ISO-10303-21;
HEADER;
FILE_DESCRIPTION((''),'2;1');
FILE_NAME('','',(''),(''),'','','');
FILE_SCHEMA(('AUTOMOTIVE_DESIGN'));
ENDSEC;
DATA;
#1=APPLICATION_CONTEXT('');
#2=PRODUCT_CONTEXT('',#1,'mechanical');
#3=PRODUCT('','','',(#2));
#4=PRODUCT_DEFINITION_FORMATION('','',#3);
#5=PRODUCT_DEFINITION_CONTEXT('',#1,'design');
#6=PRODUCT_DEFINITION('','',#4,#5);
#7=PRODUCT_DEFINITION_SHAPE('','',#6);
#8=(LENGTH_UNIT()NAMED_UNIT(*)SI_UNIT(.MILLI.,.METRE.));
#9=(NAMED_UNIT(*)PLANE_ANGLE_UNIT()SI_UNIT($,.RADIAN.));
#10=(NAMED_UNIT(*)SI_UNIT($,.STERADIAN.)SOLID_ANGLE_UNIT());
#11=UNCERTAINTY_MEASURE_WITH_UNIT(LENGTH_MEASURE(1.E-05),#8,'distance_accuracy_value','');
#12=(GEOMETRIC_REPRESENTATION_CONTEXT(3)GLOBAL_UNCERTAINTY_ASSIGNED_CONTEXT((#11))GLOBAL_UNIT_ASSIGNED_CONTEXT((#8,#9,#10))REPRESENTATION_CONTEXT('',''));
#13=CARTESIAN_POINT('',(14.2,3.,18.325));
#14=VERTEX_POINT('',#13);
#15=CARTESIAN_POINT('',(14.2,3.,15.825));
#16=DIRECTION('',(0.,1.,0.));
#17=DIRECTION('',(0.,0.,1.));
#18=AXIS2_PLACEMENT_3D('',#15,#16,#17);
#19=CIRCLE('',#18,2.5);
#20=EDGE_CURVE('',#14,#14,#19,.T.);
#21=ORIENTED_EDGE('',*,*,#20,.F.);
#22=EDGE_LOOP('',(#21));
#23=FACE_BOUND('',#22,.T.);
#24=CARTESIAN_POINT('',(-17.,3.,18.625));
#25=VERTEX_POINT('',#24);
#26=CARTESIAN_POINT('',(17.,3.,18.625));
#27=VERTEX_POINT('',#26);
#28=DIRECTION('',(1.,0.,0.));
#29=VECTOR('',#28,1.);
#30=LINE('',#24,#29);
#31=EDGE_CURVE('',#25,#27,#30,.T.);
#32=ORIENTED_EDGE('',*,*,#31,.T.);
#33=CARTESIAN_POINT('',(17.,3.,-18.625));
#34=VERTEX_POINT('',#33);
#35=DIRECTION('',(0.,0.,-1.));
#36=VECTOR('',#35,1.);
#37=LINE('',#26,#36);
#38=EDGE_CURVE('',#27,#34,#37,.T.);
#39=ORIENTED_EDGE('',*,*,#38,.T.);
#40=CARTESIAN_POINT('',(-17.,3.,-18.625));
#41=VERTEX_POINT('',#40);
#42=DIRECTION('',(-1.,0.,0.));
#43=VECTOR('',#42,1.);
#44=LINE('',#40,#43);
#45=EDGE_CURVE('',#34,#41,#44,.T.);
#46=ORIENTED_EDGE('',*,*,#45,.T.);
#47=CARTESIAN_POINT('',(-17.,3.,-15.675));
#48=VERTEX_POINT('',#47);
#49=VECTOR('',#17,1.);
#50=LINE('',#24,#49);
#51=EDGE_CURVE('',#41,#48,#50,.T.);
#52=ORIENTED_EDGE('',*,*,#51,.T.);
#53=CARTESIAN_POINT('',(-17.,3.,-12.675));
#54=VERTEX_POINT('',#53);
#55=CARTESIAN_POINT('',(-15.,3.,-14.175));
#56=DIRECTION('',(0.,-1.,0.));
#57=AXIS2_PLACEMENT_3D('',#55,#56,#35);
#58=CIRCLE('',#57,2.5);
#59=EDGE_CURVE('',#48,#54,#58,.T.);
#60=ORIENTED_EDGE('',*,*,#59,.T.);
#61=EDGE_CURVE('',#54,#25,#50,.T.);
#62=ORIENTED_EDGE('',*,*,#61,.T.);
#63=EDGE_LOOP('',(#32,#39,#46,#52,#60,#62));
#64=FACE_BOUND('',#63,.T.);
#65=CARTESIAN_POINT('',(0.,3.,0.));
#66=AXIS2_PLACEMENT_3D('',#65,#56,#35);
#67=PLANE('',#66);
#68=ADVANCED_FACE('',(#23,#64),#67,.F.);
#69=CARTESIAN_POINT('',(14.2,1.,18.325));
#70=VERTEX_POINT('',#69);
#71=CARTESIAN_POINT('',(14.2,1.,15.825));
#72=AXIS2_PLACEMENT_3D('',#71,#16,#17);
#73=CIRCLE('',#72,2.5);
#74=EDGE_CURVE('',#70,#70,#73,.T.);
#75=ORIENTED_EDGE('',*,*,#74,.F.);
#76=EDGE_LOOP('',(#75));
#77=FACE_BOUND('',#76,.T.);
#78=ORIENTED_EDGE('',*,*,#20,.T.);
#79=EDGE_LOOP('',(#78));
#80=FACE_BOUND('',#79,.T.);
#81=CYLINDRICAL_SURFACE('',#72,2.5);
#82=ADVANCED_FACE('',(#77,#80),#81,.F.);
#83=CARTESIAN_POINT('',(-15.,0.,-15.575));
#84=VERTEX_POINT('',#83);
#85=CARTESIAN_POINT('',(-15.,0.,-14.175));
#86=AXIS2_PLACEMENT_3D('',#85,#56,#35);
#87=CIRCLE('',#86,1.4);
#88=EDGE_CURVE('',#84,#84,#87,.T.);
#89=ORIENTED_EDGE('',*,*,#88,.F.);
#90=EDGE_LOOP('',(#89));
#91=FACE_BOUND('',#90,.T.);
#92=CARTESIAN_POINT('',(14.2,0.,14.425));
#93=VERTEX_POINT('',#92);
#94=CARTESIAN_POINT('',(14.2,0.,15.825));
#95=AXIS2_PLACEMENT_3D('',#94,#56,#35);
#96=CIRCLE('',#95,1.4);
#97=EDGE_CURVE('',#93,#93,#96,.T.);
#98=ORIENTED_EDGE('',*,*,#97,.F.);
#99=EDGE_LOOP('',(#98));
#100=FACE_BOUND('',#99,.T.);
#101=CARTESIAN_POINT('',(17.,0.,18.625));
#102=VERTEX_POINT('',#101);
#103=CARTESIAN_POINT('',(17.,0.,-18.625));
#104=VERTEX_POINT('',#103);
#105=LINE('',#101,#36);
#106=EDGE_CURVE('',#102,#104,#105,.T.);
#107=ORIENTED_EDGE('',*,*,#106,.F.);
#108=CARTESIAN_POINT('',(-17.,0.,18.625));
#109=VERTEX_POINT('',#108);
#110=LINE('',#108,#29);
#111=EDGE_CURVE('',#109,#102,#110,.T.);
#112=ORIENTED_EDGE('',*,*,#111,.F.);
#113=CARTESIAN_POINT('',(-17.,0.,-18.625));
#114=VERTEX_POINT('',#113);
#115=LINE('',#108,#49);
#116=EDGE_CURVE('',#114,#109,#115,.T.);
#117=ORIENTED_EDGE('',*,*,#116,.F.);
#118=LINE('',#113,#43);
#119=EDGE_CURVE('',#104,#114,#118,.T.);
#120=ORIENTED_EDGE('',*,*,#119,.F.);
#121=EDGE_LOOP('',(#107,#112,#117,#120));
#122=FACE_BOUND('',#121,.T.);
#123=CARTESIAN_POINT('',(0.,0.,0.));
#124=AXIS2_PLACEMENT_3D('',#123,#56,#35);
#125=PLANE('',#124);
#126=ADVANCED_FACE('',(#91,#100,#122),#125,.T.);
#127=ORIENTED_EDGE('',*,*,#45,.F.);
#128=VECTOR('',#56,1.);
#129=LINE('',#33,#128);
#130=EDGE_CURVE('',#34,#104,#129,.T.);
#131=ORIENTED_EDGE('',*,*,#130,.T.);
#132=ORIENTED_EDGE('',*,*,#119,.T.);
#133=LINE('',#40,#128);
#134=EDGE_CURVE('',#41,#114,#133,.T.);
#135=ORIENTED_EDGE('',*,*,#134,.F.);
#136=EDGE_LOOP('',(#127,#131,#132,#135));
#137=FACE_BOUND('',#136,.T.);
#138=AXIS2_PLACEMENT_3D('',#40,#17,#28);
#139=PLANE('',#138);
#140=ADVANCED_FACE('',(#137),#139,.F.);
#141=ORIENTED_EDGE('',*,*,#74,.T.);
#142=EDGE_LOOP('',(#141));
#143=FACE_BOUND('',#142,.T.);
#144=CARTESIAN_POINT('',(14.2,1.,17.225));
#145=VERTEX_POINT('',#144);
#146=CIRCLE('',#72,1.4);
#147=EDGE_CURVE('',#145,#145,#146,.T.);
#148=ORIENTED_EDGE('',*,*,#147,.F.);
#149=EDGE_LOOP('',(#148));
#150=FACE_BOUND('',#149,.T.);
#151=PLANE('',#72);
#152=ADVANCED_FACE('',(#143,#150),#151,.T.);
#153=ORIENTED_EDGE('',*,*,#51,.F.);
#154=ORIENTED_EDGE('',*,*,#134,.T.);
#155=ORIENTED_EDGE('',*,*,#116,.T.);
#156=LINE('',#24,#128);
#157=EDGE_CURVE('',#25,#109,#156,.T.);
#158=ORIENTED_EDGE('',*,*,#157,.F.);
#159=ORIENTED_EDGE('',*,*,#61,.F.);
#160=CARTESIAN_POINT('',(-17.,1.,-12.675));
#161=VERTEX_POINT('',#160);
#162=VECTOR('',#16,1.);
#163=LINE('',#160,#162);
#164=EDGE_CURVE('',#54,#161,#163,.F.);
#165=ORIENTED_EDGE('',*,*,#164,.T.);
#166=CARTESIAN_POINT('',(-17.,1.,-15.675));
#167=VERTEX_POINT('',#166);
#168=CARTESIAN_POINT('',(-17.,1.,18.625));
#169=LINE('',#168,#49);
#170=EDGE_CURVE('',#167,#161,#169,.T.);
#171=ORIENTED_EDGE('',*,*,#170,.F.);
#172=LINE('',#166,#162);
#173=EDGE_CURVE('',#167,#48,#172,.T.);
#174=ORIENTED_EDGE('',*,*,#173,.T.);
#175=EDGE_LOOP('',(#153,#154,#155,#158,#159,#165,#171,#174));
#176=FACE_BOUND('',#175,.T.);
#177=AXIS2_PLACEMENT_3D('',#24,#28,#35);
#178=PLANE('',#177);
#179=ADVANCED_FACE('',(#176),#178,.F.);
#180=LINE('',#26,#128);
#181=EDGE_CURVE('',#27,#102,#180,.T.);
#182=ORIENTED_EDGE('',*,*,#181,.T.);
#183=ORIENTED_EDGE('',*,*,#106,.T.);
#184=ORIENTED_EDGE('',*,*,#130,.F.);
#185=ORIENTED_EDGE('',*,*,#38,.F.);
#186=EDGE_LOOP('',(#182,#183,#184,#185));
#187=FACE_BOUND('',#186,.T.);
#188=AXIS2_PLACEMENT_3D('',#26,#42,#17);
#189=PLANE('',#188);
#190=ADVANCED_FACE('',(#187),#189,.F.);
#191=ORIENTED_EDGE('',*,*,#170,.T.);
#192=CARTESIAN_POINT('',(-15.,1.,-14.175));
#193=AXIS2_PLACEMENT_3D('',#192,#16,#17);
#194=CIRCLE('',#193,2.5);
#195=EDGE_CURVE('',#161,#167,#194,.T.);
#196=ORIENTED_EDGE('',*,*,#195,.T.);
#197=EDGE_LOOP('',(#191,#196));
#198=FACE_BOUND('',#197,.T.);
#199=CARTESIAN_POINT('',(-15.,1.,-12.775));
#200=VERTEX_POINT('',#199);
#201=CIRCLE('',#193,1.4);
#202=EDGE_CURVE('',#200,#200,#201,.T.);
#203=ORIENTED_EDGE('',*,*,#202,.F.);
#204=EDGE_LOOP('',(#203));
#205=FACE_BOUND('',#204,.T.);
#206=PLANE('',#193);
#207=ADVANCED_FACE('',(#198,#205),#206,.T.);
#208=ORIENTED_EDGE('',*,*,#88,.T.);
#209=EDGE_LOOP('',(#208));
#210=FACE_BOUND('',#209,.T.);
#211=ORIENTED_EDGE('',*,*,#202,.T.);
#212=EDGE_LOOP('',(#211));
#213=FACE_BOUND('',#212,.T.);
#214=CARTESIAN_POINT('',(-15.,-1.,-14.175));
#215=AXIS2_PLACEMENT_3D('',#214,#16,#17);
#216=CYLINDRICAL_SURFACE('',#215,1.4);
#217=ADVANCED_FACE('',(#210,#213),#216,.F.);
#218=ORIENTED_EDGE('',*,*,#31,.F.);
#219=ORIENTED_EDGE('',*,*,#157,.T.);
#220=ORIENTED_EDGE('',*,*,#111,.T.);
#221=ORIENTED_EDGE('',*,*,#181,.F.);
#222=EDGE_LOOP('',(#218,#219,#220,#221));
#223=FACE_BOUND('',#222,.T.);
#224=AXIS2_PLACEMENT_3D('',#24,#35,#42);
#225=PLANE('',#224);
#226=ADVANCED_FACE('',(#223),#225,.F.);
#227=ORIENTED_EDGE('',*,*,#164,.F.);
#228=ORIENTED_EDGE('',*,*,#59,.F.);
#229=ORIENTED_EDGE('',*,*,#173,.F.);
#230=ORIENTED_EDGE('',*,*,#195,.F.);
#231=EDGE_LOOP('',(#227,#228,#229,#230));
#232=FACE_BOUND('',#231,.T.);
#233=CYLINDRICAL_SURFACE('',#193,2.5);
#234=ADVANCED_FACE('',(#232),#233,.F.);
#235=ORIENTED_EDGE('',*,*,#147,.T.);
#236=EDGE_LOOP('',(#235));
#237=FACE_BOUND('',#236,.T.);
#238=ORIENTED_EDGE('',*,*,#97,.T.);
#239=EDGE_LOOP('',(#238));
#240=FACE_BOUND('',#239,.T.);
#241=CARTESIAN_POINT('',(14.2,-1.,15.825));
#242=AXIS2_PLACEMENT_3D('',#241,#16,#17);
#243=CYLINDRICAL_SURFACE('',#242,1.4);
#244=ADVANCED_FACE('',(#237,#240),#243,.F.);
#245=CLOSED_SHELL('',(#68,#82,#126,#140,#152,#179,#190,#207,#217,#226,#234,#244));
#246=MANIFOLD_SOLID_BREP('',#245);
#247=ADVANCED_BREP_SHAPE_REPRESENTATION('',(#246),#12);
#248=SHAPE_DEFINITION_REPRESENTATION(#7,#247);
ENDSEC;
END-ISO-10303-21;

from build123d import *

# Parameters (mm, degrees)
SKETCH1_W           = 34
SKETCH1_H           = 37.25
BOSS_EXTRUDE1_DEPTH = 3
SKETCH2_R           = 2.5
CUT_EXTRUDE1_DEPTH  = 2
SKETCH3_R           = 1.4
CUT_EXTRUDE2_DEPTH  = 2


with BuildPart() as part:
    # Sketch1 → Boss-Extrude1 (new body)
    with BuildSketch(Plane(origin=(0, 0, 0), x_dir=(1, 0, 0), z_dir=(0, 1, 0))):
        Rectangle(SKETCH1_W, SKETCH1_H)
    extrude(amount=BOSS_EXTRUDE1_DEPTH)

    # Sketch2 → Cut-Extrude1 (cut)
    with BuildSketch(Plane(origin=(0, 3, 0), x_dir=(1, 0, 0), z_dir=(0, 1, 0))):
        with Locations((-15, 14.175)):
            Circle(SKETCH2_R)
        with Locations((14.2, -15.825)):
            Circle(SKETCH2_R)
    extrude(amount=-CUT_EXTRUDE1_DEPTH, mode=Mode.SUBTRACT)

    # Sketch3 → Cut-Extrude2 (cut)
    with BuildSketch(Plane(origin=(0, 1, 0), x_dir=(1, 0, 0), z_dir=(0, 1, 0))):
        with Locations((-15, 14.175)):
            Circle(SKETCH3_R)
        with Locations((14.2, -15.825)):
            Circle(SKETCH3_R)
    extrude(amount=-CUT_EXTRUDE2_DEPTH, mode=Mode.SUBTRACT)


solid = part.part
